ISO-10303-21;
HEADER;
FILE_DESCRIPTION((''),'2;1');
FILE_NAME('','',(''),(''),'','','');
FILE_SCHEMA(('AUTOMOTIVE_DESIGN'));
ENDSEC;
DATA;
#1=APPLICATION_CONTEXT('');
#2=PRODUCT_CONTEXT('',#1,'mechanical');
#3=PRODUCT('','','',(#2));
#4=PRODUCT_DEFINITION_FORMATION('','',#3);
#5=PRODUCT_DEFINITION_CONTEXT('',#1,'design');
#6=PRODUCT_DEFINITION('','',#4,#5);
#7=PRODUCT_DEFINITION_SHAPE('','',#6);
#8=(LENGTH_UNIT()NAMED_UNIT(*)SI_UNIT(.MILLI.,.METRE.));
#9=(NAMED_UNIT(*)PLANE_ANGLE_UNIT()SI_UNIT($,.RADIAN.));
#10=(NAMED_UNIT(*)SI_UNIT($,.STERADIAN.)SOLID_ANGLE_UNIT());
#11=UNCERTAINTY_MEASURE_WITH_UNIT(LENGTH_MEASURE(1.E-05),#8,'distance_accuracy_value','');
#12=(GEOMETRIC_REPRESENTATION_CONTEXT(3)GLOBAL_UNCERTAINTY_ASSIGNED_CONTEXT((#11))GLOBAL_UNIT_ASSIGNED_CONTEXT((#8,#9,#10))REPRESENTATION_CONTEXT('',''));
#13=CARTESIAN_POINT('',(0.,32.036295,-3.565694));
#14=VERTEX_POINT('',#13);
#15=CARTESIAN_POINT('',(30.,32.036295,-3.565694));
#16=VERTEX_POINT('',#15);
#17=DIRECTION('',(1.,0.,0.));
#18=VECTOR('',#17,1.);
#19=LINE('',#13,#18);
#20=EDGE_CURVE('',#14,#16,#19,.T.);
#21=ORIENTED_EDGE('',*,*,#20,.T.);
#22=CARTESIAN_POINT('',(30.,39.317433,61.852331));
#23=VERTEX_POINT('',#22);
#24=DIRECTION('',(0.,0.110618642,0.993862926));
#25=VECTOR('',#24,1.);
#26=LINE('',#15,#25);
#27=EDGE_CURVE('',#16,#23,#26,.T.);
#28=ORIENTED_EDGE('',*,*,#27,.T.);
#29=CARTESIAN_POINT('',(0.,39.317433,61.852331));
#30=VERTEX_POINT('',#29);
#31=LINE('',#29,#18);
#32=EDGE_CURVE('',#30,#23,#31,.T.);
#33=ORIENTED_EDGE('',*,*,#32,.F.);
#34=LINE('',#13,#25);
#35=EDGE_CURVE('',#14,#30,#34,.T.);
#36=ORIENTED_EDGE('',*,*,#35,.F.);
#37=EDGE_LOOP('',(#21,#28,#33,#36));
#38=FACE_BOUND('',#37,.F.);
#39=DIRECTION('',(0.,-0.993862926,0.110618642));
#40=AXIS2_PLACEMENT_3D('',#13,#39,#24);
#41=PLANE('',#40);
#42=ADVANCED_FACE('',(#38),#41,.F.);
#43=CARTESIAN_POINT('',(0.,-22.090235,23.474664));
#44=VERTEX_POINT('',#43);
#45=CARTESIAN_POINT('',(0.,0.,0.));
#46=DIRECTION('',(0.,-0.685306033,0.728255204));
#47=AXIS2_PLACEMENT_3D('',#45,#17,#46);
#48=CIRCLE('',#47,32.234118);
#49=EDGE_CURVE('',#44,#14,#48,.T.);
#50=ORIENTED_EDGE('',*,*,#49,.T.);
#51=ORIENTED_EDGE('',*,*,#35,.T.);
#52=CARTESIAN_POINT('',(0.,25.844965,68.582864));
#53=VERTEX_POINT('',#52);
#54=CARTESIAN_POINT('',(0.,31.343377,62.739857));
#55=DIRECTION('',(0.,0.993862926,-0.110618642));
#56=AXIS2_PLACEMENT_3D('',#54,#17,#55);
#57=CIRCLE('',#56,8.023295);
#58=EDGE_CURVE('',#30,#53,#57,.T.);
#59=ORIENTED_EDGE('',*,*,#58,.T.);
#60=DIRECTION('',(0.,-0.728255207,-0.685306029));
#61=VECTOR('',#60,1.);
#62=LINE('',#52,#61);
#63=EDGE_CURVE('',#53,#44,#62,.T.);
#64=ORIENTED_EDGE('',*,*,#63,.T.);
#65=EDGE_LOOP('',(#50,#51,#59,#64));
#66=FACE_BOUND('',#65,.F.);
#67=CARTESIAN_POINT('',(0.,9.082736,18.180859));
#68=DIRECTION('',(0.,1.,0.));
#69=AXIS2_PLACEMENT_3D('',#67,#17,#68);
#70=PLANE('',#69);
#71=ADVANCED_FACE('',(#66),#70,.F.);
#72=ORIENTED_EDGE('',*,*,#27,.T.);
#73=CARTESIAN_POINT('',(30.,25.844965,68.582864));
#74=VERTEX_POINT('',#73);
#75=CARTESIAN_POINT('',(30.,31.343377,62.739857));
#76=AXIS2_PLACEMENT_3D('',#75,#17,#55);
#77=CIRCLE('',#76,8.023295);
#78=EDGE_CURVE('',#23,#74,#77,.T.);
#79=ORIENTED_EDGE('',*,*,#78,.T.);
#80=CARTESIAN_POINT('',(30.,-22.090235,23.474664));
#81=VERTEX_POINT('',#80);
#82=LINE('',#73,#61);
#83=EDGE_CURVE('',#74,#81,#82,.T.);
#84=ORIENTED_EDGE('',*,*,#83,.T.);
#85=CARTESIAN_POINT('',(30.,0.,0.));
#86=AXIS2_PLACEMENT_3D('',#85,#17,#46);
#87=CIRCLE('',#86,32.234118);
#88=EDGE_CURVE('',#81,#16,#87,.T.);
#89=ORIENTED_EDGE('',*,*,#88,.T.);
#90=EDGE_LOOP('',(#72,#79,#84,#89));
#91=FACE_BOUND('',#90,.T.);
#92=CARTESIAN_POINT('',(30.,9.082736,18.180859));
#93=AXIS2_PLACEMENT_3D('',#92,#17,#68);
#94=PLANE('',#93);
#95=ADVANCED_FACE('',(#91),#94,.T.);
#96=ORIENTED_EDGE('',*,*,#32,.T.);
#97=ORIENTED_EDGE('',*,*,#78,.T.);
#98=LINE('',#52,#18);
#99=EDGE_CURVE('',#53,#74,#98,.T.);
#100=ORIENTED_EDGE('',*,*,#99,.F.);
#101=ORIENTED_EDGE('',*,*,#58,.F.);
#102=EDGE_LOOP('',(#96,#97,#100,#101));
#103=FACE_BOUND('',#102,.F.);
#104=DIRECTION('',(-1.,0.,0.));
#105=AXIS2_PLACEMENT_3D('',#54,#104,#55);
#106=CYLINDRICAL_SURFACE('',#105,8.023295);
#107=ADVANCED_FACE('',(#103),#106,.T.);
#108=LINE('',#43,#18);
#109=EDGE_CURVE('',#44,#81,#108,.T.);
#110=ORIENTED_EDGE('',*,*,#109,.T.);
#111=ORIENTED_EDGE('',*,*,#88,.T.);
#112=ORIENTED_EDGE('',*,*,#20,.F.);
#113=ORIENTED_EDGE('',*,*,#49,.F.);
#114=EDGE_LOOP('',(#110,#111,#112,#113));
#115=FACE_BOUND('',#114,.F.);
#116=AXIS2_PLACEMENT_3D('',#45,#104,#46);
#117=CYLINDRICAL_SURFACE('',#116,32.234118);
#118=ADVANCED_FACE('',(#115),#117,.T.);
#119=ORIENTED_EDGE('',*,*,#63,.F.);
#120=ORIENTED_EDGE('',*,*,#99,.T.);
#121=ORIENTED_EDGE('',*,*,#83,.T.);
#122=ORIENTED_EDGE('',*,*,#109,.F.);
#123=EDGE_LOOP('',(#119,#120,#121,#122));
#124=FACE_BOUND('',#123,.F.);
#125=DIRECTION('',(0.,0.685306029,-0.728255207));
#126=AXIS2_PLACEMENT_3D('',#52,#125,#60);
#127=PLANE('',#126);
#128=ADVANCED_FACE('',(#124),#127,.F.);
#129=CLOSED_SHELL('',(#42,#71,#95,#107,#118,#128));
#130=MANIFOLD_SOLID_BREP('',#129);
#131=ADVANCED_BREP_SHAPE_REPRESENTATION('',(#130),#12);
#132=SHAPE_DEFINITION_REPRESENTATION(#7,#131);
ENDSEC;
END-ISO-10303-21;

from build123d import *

# Parameters (mm, degrees)
F1_DEPTH = 30


with BuildPart() as f1:
    # F0 (on Right) → F1 (new body)
    with BuildSketch(Plane.YZ):
        with BuildLine():
            Line((25.844965, 68.582864), (-22.090235, 23.474664))
            ThreePointArc((-22.090235, 23.474664), (-14.405772, -28.835951), (32.036295, -3.565694))
            Line((32.036295, -3.565694), (39.317433, 61.852331))
            ThreePointArc((39.317433, 61.852331), (34.929074, 69.917325), (25.844965, 68.582864))
        make_face()
    extrude(amount=F1_DEPTH)


solid = f1.part
